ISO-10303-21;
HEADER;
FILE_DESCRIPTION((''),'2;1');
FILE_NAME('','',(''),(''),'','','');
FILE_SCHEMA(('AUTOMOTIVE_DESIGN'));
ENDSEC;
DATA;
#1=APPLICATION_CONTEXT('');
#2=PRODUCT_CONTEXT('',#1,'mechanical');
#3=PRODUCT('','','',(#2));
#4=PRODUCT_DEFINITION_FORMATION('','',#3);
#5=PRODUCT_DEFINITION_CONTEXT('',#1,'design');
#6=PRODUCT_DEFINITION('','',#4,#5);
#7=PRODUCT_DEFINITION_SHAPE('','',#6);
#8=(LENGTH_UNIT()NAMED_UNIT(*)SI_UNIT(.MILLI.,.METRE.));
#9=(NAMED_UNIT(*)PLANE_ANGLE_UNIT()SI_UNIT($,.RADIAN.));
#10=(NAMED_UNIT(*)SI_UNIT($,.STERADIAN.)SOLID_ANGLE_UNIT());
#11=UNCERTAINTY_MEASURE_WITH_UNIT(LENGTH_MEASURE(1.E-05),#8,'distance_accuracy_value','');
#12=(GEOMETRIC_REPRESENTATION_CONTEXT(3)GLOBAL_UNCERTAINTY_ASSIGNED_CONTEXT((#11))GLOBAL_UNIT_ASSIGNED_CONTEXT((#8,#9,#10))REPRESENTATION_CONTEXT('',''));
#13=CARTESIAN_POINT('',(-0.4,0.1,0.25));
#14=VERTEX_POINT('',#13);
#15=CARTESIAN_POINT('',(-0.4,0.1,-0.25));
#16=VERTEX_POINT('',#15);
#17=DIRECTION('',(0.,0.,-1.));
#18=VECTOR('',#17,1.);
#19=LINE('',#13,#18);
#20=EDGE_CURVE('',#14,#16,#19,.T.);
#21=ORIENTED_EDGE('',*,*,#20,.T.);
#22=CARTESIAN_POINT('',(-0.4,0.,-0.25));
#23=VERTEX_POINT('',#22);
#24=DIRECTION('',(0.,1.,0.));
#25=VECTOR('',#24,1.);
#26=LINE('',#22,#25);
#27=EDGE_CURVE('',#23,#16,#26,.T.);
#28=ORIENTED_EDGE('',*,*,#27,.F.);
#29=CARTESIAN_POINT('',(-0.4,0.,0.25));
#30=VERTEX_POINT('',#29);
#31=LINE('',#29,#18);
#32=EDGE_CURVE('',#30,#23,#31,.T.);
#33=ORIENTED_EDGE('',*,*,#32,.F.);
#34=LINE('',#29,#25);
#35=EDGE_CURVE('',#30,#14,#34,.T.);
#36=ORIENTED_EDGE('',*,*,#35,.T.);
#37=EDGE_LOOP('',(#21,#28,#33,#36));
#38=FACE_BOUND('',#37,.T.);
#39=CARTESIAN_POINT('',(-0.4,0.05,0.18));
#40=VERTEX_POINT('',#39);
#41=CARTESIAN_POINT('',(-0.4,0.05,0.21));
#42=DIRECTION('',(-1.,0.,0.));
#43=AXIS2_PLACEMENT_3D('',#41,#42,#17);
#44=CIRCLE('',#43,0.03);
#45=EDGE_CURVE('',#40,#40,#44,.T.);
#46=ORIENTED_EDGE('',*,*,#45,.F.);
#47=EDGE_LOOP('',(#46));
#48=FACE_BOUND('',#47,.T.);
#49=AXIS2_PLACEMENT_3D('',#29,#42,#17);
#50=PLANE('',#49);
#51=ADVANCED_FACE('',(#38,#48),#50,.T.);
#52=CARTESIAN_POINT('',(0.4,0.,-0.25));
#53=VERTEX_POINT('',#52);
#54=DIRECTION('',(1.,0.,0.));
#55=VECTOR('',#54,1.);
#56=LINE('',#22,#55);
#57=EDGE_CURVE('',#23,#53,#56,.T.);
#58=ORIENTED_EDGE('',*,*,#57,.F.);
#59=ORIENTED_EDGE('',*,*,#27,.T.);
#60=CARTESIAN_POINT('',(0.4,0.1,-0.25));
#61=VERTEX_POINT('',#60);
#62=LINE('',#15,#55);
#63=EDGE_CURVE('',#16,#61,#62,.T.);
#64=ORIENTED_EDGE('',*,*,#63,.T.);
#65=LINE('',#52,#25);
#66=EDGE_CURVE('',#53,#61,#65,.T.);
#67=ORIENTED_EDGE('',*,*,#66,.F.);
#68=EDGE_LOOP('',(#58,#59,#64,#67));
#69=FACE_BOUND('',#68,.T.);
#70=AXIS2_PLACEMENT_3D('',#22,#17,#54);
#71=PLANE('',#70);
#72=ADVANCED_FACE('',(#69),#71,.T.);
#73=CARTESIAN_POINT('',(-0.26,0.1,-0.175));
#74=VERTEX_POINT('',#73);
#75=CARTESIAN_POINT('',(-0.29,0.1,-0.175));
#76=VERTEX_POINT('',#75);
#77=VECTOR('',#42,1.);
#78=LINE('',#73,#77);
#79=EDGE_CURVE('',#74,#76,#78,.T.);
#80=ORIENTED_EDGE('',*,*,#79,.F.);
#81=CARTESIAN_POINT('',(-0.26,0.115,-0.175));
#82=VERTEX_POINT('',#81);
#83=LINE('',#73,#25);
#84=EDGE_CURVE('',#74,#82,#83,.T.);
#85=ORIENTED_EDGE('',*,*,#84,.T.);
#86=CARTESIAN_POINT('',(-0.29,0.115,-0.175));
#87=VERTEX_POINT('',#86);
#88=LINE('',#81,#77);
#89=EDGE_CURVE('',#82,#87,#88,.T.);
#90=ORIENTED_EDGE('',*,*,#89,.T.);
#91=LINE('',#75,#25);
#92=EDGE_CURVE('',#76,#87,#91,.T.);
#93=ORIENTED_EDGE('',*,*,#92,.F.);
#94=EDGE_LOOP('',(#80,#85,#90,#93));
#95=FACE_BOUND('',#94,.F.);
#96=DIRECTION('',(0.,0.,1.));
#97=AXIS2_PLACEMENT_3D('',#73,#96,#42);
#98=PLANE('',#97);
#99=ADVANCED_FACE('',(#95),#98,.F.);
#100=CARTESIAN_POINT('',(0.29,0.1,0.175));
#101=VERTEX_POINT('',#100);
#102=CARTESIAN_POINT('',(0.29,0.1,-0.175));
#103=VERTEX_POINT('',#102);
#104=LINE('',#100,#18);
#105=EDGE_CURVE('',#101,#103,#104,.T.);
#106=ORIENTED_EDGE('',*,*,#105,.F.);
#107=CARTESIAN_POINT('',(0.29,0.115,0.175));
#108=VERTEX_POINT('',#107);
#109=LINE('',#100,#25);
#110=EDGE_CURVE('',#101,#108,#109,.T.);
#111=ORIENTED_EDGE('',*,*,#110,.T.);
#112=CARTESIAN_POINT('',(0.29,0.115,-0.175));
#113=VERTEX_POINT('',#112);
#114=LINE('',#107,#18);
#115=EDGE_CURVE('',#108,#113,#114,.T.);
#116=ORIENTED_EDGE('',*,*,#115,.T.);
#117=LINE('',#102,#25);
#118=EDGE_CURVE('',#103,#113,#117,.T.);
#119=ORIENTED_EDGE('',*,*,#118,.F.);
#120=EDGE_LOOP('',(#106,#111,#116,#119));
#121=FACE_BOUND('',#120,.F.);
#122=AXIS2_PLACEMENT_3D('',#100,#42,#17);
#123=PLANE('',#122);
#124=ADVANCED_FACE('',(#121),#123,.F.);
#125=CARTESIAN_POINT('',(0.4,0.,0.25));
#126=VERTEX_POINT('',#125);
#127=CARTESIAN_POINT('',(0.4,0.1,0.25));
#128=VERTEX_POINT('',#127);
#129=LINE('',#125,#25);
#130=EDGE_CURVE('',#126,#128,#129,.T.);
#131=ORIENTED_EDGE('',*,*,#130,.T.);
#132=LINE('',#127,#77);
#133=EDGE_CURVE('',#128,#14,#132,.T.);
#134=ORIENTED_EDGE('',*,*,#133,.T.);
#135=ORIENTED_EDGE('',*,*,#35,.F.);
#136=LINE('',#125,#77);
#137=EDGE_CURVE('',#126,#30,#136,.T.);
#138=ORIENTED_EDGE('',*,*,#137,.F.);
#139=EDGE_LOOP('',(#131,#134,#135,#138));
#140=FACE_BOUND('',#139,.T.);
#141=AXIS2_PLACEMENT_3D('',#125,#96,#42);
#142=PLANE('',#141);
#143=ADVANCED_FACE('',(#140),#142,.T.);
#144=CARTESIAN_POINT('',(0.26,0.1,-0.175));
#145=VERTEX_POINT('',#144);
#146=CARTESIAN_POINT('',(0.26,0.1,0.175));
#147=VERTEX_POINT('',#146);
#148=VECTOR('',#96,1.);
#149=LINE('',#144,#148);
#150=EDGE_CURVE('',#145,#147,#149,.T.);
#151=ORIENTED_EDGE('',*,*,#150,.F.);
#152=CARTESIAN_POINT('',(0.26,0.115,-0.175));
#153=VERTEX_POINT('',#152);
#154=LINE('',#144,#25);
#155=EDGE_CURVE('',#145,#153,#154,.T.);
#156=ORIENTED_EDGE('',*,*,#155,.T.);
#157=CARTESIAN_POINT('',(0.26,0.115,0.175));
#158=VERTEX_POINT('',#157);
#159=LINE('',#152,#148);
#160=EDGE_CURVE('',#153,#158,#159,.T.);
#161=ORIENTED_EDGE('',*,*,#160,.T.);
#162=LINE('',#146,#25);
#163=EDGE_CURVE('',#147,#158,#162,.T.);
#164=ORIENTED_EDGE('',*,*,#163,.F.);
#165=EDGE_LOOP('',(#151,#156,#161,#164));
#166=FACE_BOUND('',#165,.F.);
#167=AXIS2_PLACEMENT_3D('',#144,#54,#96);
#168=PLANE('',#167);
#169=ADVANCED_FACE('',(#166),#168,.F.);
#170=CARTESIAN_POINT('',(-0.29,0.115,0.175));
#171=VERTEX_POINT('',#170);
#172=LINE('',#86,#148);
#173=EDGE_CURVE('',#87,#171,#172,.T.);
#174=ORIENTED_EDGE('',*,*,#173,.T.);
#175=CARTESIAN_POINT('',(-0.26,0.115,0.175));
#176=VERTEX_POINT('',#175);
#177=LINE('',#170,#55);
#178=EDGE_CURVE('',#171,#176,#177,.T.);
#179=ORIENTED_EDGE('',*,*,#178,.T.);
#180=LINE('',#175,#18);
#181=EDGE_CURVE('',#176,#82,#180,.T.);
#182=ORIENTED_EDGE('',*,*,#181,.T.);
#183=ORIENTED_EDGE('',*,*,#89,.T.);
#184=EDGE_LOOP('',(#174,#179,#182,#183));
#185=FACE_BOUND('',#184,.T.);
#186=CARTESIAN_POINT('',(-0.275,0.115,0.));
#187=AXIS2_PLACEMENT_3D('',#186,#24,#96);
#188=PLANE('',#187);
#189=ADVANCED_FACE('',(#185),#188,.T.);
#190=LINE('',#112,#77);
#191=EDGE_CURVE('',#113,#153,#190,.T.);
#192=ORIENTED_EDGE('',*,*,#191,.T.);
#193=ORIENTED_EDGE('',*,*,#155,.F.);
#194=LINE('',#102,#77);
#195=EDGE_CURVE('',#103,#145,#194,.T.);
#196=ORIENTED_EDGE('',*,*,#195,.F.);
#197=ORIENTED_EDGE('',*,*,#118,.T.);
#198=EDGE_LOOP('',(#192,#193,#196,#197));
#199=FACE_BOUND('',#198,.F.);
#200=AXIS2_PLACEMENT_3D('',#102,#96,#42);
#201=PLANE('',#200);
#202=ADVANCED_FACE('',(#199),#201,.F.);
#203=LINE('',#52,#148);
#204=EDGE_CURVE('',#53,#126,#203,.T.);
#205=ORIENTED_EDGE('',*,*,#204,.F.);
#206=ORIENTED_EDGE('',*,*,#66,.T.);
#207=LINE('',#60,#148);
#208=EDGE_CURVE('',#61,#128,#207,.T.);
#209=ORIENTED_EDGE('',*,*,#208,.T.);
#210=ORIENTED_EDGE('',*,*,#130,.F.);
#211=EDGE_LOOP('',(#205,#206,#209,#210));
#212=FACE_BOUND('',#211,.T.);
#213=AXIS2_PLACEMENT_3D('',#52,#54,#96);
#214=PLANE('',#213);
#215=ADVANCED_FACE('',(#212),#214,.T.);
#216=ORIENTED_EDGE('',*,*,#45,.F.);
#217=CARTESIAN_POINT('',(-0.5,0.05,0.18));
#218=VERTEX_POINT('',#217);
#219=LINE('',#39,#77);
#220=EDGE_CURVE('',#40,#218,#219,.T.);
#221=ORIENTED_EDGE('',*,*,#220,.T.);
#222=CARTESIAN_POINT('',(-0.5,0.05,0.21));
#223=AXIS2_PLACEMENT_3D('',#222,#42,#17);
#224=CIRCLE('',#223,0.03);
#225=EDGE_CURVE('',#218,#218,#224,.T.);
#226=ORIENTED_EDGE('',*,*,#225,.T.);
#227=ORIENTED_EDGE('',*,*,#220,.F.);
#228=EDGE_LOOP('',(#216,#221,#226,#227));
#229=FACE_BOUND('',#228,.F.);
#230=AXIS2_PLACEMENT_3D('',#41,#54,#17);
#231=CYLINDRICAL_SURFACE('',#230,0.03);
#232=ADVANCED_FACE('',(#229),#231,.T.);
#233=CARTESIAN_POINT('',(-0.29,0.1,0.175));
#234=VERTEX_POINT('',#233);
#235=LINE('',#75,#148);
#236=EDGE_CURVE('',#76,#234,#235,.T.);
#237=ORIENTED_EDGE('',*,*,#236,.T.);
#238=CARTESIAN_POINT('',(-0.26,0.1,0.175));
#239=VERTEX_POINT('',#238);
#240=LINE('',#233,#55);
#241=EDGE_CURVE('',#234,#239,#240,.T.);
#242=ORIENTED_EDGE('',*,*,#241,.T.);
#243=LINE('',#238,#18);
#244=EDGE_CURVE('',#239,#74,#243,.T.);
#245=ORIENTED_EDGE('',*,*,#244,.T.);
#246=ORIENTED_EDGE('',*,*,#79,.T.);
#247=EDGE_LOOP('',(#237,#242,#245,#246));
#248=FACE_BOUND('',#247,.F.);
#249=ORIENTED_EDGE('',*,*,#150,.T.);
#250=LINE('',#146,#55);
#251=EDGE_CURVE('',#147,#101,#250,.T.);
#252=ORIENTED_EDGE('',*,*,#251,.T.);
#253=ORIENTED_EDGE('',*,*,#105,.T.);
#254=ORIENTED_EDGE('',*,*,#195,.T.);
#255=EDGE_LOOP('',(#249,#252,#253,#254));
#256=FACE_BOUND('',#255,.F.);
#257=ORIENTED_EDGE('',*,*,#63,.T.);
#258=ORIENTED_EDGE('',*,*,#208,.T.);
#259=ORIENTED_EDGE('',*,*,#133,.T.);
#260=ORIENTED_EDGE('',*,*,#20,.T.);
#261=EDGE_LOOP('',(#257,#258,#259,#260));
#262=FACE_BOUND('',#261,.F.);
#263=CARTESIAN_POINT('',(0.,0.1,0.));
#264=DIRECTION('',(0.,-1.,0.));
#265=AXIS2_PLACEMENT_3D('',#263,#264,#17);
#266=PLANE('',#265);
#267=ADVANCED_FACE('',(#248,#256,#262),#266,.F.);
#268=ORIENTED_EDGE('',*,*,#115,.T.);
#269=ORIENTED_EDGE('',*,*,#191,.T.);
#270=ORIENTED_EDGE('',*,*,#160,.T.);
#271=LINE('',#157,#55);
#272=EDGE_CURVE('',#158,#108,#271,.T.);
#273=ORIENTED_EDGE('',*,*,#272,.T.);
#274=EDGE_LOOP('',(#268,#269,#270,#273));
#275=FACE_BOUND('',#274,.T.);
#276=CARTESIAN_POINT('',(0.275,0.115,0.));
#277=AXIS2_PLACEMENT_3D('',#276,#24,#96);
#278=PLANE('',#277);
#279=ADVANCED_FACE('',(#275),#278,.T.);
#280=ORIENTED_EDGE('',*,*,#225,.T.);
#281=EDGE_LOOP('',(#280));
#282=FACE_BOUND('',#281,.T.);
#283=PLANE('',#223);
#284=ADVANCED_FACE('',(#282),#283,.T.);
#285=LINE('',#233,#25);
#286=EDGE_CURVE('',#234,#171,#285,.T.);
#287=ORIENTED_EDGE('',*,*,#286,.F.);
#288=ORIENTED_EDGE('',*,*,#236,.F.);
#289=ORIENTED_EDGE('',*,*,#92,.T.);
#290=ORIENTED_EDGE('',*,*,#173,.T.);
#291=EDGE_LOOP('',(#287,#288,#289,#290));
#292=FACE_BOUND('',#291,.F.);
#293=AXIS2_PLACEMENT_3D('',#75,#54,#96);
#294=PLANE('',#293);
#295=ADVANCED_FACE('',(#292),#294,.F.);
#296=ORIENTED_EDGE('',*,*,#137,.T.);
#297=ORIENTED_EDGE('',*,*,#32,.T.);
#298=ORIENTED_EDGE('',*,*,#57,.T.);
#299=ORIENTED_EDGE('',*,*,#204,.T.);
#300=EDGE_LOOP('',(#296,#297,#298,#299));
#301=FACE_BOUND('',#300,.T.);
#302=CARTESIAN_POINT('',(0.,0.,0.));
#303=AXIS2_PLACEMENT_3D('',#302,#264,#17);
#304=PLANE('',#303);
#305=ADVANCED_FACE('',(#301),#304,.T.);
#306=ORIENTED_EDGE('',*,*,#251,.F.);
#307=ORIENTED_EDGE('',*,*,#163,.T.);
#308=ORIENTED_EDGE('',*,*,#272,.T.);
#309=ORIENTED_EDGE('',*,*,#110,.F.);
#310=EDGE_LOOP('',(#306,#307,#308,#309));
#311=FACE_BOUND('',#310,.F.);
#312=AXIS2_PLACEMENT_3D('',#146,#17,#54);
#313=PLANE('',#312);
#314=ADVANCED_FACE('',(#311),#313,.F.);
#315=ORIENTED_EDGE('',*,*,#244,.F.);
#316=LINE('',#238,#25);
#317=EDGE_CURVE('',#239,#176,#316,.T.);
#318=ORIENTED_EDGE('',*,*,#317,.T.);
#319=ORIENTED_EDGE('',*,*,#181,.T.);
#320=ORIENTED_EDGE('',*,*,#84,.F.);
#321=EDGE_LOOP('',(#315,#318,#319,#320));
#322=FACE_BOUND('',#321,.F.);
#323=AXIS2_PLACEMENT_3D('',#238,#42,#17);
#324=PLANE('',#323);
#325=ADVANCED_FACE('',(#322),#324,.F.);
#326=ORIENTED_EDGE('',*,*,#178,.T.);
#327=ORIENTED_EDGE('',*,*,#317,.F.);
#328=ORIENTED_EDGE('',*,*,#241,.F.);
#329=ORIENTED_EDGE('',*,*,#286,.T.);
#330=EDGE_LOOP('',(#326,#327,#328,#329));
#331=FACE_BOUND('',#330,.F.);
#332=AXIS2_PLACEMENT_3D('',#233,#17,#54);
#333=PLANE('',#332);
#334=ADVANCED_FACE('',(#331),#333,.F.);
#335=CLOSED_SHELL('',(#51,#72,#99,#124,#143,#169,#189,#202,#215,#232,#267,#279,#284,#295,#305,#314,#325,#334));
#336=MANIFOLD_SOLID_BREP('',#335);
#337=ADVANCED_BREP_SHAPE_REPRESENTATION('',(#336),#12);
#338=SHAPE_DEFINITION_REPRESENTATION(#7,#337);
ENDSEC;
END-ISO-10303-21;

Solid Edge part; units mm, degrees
sketch "Sketch1" plane through (0, 0, 0) normal (0, -1, 0) x (1, 0, 0)
  line L0 (-0.4, -0.25) -> (0.4, -0.25)
  line L1 (0.4, -0.25) -> (0.4, 0.25)
  line L2 (0.4, 0.25) -> (-0.4, 0.25)
  line L3 (-0.4, 0.25) -> (-0.4, -0.25)
  dimension "D1" = 0.8
  dimension "D2" = 0.5
extrude "Protrusion1" add sketch "Sketch1" against normal blind 0.1
sketch "Sketch2" plane through (-0.4, 0.05, 0) normal (-1, 0, 0) x (0, 0, -1)
  circle A0 centre (-0.21, 0) radius 0.03
  dimension "D1" = 0.05
  dimension "D2" = 0.04
  dimension "D3" = 0.06
extrude "Ausprägung_2" add sketch "Sketch2" along normal blind 0.1
sketch "Sketch3" plane through (0, 0.1, 0) normal (0, 1, 0) x (1, 0, 0)
  line L0 (0.26, -0.175) -> (0.29, -0.175)
  line L1 (0.29, -0.175) -> (0.29, 0.175)
  line L2 (0.29, 0.175) -> (0.26, 0.175)
  line L3 (0.26, 0.175) -> (0.26, -0.175)
  line L4 (-0.29, -0.175) -> (-0.26, -0.175)
  line L5 (-0.26, -0.175) -> (-0.26, 0.175)
  line L6 (-0.26, 0.175) -> (-0.29, 0.175)
  line L7 (-0.29, 0.175) -> (-0.29, -0.175)
  dimension "D1" = 0.55
  dimension "D2" = 0.03
  dimension "D3" = 0.35
extrude "Ausprägung_3" add sketch "Sketch3" along normal blind 0.015
